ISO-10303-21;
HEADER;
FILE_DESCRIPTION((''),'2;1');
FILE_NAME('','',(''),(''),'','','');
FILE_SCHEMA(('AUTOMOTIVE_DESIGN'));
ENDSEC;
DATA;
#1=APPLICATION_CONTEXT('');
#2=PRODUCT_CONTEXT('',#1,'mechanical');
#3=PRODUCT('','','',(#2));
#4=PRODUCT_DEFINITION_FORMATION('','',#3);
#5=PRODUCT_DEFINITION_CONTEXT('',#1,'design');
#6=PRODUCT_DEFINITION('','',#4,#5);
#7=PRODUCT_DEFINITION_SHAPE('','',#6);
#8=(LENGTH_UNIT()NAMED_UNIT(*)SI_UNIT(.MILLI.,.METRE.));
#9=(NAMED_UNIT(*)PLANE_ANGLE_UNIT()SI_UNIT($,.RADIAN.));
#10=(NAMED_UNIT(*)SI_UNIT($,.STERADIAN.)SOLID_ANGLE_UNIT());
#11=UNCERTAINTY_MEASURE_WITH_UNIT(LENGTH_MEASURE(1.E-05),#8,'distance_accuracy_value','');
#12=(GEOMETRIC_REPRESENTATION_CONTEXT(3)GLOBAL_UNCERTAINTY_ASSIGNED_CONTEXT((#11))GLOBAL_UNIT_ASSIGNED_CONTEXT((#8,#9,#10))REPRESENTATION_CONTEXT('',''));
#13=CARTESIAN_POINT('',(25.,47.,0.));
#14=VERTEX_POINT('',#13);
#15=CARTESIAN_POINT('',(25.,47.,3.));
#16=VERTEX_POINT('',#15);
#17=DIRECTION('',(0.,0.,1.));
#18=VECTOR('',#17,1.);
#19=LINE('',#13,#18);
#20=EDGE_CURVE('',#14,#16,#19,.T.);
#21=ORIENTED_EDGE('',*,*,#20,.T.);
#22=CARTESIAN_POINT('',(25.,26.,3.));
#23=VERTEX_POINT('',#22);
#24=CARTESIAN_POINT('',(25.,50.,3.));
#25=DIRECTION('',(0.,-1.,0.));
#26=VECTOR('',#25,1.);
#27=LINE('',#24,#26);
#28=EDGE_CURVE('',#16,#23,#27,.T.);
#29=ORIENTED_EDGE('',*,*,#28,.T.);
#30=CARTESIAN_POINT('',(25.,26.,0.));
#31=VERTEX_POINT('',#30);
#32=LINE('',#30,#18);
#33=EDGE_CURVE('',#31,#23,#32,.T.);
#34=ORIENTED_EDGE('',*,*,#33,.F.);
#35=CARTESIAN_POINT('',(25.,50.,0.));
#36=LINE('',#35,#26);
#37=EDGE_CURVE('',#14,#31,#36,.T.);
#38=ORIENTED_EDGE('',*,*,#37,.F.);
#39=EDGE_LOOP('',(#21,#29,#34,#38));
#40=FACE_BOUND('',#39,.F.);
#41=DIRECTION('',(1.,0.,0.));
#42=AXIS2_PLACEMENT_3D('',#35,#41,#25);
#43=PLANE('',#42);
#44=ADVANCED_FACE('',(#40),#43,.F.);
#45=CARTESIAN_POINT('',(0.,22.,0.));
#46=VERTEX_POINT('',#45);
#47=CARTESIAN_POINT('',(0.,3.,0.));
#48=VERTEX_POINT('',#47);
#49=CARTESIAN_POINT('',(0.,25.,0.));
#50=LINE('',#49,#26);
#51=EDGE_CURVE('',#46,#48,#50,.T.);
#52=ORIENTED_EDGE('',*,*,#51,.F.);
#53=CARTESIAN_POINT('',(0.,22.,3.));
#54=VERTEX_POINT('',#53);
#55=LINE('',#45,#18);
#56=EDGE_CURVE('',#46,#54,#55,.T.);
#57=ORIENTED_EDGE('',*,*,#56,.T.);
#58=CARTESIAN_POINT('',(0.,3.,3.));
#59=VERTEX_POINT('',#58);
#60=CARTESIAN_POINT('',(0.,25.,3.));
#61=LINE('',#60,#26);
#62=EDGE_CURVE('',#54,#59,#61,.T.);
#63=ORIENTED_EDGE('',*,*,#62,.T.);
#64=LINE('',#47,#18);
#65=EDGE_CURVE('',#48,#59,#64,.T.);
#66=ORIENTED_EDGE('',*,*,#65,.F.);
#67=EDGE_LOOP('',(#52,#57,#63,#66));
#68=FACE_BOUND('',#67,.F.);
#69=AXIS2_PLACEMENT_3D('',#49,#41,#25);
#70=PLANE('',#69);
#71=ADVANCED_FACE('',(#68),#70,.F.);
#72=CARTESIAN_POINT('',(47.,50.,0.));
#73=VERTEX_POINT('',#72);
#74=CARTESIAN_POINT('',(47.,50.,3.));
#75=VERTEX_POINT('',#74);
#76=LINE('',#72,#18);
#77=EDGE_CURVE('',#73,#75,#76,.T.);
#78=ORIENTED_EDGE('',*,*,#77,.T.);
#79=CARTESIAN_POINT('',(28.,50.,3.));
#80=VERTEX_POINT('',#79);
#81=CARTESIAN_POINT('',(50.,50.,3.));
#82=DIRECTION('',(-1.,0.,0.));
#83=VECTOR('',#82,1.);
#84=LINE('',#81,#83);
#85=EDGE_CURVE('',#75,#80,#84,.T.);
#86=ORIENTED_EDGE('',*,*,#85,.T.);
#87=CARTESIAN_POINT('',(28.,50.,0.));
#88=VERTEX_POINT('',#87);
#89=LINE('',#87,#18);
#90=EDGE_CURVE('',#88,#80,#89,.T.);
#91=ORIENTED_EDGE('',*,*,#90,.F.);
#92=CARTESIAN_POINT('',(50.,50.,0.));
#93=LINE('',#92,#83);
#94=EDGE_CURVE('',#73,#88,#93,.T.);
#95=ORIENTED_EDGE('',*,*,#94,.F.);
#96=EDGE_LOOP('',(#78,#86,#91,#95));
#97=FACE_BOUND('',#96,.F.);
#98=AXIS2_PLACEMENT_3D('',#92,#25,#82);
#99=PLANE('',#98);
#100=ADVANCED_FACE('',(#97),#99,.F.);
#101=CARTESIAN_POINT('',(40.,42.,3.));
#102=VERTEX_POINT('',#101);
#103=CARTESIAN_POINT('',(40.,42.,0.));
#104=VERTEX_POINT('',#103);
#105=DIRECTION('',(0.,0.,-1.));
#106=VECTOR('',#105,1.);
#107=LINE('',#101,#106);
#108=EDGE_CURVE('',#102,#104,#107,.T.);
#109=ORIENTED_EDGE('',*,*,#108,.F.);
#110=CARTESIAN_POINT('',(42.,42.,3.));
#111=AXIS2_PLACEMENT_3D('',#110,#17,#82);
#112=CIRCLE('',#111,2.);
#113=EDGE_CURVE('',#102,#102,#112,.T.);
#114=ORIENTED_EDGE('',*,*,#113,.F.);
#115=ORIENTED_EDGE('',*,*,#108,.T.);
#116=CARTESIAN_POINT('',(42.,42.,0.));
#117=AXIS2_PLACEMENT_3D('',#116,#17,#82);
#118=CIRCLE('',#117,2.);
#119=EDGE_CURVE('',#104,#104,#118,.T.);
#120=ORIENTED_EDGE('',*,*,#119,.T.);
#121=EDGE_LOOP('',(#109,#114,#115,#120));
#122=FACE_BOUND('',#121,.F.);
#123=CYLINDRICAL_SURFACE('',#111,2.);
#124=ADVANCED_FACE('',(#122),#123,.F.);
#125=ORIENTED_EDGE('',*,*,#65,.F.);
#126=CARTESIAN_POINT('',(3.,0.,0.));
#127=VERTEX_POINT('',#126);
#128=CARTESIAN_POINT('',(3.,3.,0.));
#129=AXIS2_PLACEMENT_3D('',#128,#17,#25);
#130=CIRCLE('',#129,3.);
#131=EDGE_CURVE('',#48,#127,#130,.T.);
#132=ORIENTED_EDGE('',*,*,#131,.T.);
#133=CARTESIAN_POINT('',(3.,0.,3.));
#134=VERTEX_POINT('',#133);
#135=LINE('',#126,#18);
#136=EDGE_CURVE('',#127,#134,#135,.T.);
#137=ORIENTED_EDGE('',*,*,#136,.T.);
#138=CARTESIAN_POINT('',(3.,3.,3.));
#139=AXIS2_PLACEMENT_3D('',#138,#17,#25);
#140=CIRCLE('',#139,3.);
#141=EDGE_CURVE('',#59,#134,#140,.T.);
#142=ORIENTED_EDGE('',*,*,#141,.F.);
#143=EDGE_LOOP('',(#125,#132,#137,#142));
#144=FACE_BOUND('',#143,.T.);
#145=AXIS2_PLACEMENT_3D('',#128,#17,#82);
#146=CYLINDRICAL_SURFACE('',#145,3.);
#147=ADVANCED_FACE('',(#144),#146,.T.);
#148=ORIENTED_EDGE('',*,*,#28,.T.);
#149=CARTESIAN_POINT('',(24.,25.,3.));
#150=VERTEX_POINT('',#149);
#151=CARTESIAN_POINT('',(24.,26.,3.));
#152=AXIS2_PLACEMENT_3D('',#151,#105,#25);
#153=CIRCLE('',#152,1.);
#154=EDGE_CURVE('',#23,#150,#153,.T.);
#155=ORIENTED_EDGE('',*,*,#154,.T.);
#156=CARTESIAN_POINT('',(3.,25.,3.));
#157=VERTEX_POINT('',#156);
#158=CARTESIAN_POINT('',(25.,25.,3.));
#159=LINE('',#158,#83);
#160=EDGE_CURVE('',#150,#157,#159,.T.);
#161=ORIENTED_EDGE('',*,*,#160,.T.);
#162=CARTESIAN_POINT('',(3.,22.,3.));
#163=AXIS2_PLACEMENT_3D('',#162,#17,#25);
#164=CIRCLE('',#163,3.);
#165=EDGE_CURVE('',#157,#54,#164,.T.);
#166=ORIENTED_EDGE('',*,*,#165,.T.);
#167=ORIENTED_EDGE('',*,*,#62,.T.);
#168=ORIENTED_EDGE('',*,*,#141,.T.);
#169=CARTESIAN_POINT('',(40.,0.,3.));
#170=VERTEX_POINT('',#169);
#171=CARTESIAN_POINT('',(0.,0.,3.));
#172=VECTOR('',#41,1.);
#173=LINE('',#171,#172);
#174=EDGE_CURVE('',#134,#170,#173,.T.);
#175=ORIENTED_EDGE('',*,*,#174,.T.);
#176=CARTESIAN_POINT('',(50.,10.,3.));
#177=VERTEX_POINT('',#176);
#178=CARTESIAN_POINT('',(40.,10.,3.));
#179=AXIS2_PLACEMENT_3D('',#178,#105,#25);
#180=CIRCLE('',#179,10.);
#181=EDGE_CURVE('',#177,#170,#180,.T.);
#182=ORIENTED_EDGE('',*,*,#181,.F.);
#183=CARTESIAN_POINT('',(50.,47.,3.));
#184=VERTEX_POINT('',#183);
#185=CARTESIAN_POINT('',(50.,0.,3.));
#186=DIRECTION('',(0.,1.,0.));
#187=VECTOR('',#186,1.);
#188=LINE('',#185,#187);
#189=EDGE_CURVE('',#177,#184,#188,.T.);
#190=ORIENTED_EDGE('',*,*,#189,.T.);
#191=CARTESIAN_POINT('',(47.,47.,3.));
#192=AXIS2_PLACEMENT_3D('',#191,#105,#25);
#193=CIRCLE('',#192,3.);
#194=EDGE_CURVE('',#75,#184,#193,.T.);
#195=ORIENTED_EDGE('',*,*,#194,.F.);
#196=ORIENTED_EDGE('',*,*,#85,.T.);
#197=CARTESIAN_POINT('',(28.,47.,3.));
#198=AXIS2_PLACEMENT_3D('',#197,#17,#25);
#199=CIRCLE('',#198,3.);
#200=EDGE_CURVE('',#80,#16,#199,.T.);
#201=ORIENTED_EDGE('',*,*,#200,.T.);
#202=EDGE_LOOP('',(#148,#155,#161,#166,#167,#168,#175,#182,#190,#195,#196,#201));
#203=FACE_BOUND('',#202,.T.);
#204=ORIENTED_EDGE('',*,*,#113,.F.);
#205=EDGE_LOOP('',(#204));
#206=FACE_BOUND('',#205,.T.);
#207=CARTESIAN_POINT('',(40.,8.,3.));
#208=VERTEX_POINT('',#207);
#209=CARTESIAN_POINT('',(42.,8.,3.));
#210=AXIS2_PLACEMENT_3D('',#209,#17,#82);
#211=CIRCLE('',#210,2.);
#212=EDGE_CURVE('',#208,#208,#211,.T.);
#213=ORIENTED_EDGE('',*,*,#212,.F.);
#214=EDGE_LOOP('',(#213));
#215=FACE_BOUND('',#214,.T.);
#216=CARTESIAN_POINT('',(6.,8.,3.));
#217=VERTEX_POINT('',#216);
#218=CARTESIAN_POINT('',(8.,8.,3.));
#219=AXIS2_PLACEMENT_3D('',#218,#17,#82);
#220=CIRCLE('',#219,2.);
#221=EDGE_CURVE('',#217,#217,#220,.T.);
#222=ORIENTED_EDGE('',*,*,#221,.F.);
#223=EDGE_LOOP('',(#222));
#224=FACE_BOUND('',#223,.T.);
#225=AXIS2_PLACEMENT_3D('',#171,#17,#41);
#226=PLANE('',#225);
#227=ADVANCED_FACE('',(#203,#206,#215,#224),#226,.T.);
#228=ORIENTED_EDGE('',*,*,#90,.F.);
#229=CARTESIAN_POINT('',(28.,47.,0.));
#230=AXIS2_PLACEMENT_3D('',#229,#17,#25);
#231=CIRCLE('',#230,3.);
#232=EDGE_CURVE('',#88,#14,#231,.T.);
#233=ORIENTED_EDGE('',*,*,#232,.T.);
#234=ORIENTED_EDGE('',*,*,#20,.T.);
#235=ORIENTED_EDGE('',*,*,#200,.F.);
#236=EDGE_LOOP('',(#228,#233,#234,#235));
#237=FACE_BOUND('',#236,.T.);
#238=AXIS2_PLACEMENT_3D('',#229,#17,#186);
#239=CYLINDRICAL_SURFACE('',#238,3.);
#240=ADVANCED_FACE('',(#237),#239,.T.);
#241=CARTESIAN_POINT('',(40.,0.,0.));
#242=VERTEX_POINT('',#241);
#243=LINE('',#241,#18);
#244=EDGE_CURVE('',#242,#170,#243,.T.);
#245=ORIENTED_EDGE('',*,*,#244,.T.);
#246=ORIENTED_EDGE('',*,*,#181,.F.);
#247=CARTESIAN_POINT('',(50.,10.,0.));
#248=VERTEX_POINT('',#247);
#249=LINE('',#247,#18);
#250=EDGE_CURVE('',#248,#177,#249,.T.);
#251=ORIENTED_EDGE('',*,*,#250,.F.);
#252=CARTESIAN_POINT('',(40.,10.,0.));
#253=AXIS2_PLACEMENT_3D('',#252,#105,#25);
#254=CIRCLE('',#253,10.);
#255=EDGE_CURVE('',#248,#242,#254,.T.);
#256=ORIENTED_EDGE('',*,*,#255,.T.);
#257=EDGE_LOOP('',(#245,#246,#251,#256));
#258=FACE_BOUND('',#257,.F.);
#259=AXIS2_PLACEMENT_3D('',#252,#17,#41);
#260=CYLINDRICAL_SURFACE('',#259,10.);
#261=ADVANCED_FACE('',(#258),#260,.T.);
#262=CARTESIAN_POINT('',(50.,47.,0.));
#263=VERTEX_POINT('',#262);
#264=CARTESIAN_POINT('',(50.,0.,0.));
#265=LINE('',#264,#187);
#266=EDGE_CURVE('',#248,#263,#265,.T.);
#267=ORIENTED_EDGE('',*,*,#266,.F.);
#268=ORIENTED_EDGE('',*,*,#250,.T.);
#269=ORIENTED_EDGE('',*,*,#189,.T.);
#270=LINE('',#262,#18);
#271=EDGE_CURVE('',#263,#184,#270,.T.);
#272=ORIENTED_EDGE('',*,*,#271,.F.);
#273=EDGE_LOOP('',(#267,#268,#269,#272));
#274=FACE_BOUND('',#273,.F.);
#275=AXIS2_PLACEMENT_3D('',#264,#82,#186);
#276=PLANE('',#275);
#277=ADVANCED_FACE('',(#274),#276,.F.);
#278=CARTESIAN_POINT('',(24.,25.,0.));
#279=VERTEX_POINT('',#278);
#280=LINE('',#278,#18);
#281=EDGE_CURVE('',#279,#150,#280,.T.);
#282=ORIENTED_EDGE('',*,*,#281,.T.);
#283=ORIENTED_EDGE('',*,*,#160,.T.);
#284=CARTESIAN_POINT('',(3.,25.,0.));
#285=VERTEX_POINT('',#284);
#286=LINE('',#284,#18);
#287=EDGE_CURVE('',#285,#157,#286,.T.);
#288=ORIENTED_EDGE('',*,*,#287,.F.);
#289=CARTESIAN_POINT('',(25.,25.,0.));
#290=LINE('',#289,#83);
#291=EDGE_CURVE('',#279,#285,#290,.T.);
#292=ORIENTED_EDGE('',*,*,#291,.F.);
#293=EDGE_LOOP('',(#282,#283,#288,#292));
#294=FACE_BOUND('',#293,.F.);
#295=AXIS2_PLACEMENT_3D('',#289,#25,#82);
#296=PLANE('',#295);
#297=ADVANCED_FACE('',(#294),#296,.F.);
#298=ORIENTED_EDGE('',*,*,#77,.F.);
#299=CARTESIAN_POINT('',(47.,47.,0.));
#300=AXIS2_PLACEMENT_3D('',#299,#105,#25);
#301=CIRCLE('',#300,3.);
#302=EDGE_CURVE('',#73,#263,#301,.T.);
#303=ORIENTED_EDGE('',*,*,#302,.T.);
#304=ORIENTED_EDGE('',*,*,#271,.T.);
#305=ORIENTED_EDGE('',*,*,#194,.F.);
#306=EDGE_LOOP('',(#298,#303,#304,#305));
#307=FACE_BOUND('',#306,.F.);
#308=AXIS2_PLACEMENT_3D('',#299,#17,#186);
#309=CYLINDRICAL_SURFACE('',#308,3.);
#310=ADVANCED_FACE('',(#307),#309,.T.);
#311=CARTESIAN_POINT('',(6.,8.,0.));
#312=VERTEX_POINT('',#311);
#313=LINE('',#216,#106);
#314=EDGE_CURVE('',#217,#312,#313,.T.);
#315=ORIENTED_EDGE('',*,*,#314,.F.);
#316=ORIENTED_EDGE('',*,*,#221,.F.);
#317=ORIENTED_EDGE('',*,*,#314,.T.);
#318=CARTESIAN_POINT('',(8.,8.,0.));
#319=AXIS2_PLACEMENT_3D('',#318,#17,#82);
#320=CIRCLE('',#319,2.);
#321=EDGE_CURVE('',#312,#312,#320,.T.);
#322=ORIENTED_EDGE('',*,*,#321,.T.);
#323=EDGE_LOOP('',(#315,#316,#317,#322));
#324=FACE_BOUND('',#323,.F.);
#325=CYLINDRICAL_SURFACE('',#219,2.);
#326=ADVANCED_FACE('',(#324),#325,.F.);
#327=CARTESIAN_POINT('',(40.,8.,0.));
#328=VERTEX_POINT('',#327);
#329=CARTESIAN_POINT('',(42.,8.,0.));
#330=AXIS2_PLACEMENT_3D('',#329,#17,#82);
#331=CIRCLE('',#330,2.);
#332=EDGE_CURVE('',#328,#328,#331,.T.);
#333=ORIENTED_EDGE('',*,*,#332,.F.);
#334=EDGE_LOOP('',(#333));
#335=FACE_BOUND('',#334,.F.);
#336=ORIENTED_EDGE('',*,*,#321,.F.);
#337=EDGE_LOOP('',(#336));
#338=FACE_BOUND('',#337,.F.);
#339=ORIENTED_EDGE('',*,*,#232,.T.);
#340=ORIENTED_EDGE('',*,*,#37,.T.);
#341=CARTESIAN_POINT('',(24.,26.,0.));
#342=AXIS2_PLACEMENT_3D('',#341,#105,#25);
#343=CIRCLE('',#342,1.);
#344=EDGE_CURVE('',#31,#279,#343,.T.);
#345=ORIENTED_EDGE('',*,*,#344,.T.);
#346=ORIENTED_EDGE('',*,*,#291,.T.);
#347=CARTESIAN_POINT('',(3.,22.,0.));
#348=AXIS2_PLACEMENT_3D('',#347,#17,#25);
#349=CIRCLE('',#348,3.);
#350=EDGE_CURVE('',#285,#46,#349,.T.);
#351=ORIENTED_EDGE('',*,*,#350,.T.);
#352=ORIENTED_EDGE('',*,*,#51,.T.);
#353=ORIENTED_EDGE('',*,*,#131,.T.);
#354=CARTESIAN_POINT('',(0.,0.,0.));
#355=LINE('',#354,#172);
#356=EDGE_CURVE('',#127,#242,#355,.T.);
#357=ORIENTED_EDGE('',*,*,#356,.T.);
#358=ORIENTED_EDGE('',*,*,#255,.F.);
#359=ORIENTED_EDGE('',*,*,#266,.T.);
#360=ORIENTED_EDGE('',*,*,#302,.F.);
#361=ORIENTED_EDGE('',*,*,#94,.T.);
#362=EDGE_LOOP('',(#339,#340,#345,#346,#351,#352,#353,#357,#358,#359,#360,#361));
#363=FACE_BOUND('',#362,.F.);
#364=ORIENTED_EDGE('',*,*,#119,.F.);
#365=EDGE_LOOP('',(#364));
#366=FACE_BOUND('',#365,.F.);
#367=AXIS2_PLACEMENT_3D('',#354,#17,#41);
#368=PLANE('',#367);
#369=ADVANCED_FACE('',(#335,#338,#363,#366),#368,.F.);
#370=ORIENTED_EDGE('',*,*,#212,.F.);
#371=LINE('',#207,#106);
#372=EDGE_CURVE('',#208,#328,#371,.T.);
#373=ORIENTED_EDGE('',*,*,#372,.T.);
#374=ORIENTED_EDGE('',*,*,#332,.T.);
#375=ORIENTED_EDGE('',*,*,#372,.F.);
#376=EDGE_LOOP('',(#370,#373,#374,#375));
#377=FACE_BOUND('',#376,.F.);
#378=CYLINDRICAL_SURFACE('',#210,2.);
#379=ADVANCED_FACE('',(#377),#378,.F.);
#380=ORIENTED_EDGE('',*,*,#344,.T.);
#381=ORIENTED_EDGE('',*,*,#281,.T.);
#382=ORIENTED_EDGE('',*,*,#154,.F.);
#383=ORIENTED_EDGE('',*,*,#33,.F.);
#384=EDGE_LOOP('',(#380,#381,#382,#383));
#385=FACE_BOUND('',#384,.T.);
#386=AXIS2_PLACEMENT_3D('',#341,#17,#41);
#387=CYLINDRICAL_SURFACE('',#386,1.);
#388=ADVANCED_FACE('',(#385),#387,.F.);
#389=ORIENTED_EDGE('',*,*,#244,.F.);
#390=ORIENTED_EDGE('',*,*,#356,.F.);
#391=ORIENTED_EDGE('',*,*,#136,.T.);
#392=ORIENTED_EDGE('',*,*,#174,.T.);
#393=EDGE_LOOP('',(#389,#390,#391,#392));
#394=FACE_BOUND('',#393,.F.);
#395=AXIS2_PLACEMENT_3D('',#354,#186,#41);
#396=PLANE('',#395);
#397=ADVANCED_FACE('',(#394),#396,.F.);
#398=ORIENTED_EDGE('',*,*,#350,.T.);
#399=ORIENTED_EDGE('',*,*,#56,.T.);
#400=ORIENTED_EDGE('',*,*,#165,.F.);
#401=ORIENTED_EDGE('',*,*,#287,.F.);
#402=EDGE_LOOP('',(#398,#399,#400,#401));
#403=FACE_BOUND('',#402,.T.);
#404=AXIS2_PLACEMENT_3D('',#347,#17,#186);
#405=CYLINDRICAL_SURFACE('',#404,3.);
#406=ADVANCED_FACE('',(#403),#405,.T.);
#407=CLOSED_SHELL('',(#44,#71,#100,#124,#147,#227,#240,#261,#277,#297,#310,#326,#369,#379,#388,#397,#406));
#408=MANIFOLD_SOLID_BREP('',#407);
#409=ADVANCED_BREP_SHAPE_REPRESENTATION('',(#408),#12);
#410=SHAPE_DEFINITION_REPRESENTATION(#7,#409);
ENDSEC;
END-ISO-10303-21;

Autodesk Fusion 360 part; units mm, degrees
sketch "Sketch1" plane through (0, 0, 0) normal (0, 0, 1) x (1, 0, 0)
  line L0 (0, 0) -> (50, 0)
  line L1 (50, 0) -> (50, 50)
  line L2 (50, 50) -> (25, 50)
  line L3 (25, 50) -> (25, 25)
  line L4 (25, 25) -> (0, 25)
  line L5 (0, 25) -> (0, 0)
  line L6 (-25, 0) -> (-25, 55) construction
  dimension "d1" = 25
  dimension "d2" = 25
  dimension "d3" = 50
  dimension "d4" = 50
extrude "Extrude1" add sketch "Sketch1" along normal blind 3
ref_plane "WorkPlane1" through (-30, 0, 0) normal (1, 0, 0) x (0, 1, 0)
sketch "Sketch2" plane through (0, 0, 3) normal (0, 0, 1) x (-1, 0, 0)
  line L0 (0, -25) -> (0, 0)
  line L1 (0, 0) -> (-50, 0)
  line L2 (-50, 0) -> (-50, -50)
  line L3 (-50, -50) -> (-25, -50)
  line L4 (-25, -50) -> (-25, -25)
  line L5 (-25, -25) -> (0, -25)
  line L6 (-100, -100) -> (-70, -100)
  line L7 (-70, -100) -> (-70, -175)
  line L8 (-70, -175) -> (-100, -175)
  line L9 (-100, -175) -> (-100, -100)
  dimension "d10" = 30
  dimension "d11" = 75
fillet "Fillet1" radius 10 1 edges at (50, 0, 1.5)
fillet "Fillet2" radius 1 1 edges at (25, 25, 1.5)
fillet "Fillet3" radius 3 1 edges at (50, 50, 1.5)
fillet "Fillet4" radius 3 1 edges at (25, 50, 1.5)
fillet "Fillet5" radius 3 1 edges at (0, 25, 1.5)
fillet "Fillet6" radius 3 1 edges at (0, 0, 1.5)
sketch "Sketch5" plane through (0, 0, 3) normal (0, 0, 1) x (-1, 0, 0)
  arc A0 (0, -3) -> (-3, 0) centre (-3, -3) ccw
  line L0 (-3, 0) -> (-40, 0)
  arc A1 (-40, 0) -> (-50, -10) centre (-40, -10) ccw
  line L1 (-50, -10) -> (-50, -47)
  arc A2 (-50, -47) -> (-47, -50) centre (-47, -47) ccw
  line L2 (-47, -50) -> (-28, -50)
  arc A3 (-28, -50) -> (-25, -47) centre (-28, -47) ccw
  line L3 (-25, -47) -> (-25, -26)
  arc A4 (-24, -25) -> (-25, -26) centre (-24, -26) ccw
  line L4 (-24, -25) -> (-3, -25)
  arc A5 (-3, -25) -> (0, -22) centre (-3, -22) ccw
  line L5 (0, -22) -> (0, -3)
  circle A6 centre (-42, -8) radius 2
  circle A7 centre (-42, -42) radius 2
  circle A8 centre (-8, -8) radius 2
  dimension "d57" = 4
  dimension "d58" = 4
  dimension "d59" = 4
  dimension "d60" = 8
  dimension "d61" = 8
  dimension "d62" = 8
  dimension "d63" = 8
  dimension "d64" = 8
  dimension "d65" = 8
extrude "Extrude7" cut sketch "Sketch5" against normal blind 3 contours A6 | A7 | A8
